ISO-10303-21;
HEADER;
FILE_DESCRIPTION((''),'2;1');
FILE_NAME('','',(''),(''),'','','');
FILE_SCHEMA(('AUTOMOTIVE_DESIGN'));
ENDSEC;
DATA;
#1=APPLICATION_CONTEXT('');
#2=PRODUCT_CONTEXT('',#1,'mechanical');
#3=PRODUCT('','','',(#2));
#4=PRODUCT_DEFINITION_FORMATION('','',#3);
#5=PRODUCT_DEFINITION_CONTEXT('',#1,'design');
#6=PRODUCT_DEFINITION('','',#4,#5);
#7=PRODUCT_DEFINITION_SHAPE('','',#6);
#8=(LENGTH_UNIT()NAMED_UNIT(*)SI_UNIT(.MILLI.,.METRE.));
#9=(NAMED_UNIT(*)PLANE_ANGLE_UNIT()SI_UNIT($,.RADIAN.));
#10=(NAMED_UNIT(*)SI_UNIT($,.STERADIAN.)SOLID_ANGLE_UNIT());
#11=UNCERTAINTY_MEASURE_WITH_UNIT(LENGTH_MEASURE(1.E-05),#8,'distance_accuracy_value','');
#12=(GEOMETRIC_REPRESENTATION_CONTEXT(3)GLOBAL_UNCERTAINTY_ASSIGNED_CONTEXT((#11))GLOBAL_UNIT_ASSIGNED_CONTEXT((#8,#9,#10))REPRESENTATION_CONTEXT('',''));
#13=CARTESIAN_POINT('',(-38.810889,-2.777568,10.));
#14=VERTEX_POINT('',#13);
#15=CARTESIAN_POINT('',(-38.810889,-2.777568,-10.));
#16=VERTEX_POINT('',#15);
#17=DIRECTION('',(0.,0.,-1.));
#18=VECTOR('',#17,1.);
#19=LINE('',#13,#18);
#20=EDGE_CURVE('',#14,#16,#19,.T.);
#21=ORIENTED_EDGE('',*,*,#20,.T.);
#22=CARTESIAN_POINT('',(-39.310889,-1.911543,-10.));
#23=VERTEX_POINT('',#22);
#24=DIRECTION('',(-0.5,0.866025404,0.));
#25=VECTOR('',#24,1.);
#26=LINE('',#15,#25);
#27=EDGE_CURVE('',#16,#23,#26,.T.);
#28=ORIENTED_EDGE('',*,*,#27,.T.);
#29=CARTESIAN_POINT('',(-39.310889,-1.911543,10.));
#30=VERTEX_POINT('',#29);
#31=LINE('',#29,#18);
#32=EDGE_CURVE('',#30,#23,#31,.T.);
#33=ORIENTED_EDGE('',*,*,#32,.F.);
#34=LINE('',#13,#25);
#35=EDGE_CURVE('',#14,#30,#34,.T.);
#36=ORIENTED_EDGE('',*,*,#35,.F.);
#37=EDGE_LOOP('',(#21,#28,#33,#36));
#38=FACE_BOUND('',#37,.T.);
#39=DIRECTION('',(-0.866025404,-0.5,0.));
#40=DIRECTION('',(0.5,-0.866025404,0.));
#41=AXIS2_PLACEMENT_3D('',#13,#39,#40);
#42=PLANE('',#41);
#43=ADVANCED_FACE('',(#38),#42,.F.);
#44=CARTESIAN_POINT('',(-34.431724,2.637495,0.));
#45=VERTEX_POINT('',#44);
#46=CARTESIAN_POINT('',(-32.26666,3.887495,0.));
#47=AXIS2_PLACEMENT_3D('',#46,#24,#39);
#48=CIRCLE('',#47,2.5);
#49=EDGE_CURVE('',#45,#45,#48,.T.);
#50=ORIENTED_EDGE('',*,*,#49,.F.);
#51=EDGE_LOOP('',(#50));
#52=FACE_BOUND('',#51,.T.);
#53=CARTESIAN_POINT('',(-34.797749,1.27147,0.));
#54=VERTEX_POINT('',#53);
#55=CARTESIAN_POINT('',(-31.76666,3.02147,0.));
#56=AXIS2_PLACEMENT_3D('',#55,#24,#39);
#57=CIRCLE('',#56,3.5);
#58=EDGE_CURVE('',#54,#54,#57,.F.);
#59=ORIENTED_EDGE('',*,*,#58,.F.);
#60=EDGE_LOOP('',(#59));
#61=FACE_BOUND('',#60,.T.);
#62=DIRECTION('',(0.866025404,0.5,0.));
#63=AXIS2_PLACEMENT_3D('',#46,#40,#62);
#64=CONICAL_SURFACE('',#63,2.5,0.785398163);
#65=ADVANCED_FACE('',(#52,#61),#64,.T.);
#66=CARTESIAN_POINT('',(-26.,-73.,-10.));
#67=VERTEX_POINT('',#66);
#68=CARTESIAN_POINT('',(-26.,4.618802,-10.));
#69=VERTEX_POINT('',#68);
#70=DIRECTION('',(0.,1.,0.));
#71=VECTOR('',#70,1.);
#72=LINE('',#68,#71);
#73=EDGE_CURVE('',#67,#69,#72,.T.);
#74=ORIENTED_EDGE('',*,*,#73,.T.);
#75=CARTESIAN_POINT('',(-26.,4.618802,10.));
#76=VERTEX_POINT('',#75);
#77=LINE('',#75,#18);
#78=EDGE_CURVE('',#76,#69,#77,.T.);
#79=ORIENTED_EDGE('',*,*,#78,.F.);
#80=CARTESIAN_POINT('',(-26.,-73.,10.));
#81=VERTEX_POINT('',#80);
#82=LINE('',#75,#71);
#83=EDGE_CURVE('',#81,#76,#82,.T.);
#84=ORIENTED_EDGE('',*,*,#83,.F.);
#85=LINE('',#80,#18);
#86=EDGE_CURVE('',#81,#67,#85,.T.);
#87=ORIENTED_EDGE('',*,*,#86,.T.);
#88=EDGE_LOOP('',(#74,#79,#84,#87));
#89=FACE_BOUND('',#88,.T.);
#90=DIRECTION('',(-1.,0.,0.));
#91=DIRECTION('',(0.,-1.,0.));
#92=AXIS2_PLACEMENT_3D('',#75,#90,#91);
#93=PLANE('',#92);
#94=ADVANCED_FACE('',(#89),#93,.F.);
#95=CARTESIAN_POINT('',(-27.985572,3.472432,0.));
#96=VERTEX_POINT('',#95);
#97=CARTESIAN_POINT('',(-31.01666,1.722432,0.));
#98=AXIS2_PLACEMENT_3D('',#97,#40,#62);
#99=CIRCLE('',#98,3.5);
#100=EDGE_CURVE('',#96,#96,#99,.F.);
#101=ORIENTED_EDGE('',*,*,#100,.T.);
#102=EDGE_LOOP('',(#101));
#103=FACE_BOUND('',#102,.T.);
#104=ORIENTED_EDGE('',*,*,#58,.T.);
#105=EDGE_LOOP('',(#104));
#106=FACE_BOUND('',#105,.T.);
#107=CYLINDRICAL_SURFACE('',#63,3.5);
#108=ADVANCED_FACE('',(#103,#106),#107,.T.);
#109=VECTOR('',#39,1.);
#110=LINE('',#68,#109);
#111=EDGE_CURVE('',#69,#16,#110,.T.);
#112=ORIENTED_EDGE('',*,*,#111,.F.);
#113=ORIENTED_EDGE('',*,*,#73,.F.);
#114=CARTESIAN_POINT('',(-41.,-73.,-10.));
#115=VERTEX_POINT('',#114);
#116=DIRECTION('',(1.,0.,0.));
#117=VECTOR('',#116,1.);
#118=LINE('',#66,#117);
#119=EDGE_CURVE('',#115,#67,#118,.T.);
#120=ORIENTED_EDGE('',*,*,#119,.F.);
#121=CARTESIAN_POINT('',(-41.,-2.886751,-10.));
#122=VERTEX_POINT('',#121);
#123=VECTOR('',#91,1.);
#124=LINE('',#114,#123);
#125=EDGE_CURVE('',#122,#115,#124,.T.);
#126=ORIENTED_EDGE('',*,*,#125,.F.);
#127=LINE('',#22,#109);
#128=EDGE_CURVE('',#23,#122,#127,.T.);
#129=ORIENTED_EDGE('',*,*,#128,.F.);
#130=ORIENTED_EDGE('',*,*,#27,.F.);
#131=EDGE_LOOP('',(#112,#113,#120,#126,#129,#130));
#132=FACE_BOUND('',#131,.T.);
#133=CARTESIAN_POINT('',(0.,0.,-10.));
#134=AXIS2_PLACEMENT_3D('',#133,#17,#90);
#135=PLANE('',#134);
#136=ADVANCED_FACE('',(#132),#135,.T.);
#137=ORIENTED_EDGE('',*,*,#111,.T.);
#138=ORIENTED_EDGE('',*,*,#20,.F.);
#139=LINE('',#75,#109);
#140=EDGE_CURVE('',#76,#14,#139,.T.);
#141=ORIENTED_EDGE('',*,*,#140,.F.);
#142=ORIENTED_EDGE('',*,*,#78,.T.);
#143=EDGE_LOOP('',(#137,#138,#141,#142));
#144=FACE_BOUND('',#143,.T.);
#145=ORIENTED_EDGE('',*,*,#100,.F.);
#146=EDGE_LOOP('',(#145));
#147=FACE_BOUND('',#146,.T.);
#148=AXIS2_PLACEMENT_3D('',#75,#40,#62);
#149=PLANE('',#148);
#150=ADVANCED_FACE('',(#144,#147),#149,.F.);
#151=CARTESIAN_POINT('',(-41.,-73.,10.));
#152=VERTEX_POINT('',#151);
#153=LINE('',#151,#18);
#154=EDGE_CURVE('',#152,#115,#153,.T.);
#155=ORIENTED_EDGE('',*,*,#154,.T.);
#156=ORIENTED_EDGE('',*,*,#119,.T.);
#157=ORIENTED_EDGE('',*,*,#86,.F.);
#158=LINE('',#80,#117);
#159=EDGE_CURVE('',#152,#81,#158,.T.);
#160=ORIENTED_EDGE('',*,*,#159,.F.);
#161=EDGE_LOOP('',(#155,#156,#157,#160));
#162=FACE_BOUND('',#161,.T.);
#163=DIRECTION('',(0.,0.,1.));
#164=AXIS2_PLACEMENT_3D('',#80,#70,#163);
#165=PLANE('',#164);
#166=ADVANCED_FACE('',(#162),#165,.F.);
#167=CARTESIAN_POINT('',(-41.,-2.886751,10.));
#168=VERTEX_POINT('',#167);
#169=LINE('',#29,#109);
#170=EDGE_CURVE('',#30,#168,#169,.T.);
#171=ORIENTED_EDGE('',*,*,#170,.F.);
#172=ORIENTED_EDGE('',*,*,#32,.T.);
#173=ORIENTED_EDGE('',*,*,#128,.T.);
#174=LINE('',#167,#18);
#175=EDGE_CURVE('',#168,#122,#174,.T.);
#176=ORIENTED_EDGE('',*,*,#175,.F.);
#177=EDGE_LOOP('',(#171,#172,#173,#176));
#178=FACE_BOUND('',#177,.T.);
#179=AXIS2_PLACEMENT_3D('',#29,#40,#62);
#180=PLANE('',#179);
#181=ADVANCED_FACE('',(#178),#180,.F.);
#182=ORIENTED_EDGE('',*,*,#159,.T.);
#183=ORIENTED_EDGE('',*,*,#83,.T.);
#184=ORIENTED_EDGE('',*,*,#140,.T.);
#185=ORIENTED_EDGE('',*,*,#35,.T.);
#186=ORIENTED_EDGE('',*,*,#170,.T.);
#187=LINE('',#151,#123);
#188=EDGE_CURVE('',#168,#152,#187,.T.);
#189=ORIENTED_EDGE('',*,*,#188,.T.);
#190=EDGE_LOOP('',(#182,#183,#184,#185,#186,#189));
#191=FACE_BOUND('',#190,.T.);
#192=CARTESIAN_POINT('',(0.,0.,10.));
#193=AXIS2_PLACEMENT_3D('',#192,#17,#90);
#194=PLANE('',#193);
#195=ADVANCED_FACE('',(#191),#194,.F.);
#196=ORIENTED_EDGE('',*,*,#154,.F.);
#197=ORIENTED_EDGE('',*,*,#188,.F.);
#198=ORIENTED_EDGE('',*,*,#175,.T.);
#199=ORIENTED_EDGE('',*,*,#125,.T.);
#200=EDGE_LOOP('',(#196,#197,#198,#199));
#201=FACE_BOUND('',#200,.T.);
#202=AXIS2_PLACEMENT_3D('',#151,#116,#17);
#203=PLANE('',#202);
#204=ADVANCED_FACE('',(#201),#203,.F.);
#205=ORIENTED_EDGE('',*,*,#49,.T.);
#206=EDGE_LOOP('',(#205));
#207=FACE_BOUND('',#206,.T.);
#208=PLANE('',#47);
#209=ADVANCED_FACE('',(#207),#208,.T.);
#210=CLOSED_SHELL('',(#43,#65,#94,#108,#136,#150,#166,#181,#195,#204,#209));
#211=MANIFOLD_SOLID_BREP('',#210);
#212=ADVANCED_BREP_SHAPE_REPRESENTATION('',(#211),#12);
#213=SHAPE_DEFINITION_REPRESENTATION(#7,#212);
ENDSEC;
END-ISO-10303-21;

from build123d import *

# Parameters (mm, degrees)
EXTRUDE_1_DEPTH     = 9
SKETCH_2_R          = 3.5
CUT_EXTRUDE_1_DEPTH = 18
EXTRUDE_2_DEPTH     = 10
EXTRUDE_START       = 2.5
SKETCH_4_R          = 3.5
EXTRUDE_3_DEPTH     = 2.5
CHAMFER_1_SIZE      = 1
EXTRUDE_5_DEPTH     = 10
SKETCH_7_W          = 65.185315269
SKETCH_7_H          = 30.661532817
CUT_EXTRUDE_2_DEPTH = 10


with BuildPart() as part:
    # 草图1 → 凸台-拉伸1 (new, symmetric)
    with BuildSketch(Plane.XY):
        with BuildLine():
            Line((-38.810889132, -2.777568136), (-8.5, 14.722431864))
            ThreePointArc((-8.5, 14.722431864), (-1.481647627, 16.935309868), (5.814342437, 15.974774553))
            Line((5.814342437, 15.974774553), (6.498382723, 17.854159795))
            ThreePointArc((6.498382723, 17.854159795), (-1.655959112, 18.927699264), (-9.5, 16.454482672))
            Line((-9.5, 16.454482672), (-39.810889132, -1.045517328))
            Line((-39.810889132, -1.045517328), (-38.810889132, -2.777568136))
        make_face()
    extrude(amount=EXTRUDE_1_DEPTH, both=True)

    # 草图2 → 切除-拉伸1 (cut)
    with BuildSketch(Plane(origin=(-9.5, 16.454482672, 0), x_dir=(0.8660254037844398, 0.49999999999999806, 0), z_dir=(-0.49999999999999806, 0.8660254037844398, 0))):
        with Locations(Location((-26, 0, 0), (0, 0, 180))):
            Circle(SKETCH_2_R)
    extrude(amount=-CUT_EXTRUDE_1_DEPTH, mode=Mode.SUBTRACT)

    # 草图7 → 切除-拉伸2 (cut, symmetric)
    with BuildSketch(Plane.XY):
        with Locations((-14.546201846, 8.806087934)):
            Rectangle(SKETCH_7_W, SKETCH_7_H)
    extrude(amount=CUT_EXTRUDE_2_DEPTH, both=True, mode=Mode.SUBTRACT)


with BuildPart() as body_2:
    # 草图3 → 凸台-拉伸2 (new, symmetric)
    with BuildSketch(Plane.XY):
        Polygon((-26, 4.618802154), (-26, -73), (-41, -73), (-41, -4.041451884), align=None)
    extrude(amount=EXTRUDE_2_DEPTH, both=True)

    # 草图4 → 凸台-拉伸3 (add)
    with BuildSketch(Plane(origin=(-8.5, 14.722431864, 0), x_dir=(0.8660254037844386, 0.5000000000000001, 0), z_dir=(-0.5000000000000001, 0.8660254037844386, 0)).offset(EXTRUDE_START)):
        with Locations((-26, 0)):
            Circle(SKETCH_4_R)
    extrude(amount=-EXTRUDE_3_DEPTH)

    # 倒角1
    chamfer_1_edges = [body_2.edges().sort_by_distance(p)[0] for p in [
        (-35.297749412, 2.137495374, 0),
    ]]
    chamfer(chamfer_1_edges, length=CHAMFER_1_SIZE)

    # 草图6 → 凸台-拉伸5 (add, symmetric)
    with BuildSketch(Plane.XY):
        Polygon((-38.810889132, -2.777568136), (-39.310889132, -1.911542732), (-41, -2.886751346), (-41, -4.041451884), align=None)
    extrude(amount=EXTRUDE_5_DEPTH, both=True)


solid = body_2.part
